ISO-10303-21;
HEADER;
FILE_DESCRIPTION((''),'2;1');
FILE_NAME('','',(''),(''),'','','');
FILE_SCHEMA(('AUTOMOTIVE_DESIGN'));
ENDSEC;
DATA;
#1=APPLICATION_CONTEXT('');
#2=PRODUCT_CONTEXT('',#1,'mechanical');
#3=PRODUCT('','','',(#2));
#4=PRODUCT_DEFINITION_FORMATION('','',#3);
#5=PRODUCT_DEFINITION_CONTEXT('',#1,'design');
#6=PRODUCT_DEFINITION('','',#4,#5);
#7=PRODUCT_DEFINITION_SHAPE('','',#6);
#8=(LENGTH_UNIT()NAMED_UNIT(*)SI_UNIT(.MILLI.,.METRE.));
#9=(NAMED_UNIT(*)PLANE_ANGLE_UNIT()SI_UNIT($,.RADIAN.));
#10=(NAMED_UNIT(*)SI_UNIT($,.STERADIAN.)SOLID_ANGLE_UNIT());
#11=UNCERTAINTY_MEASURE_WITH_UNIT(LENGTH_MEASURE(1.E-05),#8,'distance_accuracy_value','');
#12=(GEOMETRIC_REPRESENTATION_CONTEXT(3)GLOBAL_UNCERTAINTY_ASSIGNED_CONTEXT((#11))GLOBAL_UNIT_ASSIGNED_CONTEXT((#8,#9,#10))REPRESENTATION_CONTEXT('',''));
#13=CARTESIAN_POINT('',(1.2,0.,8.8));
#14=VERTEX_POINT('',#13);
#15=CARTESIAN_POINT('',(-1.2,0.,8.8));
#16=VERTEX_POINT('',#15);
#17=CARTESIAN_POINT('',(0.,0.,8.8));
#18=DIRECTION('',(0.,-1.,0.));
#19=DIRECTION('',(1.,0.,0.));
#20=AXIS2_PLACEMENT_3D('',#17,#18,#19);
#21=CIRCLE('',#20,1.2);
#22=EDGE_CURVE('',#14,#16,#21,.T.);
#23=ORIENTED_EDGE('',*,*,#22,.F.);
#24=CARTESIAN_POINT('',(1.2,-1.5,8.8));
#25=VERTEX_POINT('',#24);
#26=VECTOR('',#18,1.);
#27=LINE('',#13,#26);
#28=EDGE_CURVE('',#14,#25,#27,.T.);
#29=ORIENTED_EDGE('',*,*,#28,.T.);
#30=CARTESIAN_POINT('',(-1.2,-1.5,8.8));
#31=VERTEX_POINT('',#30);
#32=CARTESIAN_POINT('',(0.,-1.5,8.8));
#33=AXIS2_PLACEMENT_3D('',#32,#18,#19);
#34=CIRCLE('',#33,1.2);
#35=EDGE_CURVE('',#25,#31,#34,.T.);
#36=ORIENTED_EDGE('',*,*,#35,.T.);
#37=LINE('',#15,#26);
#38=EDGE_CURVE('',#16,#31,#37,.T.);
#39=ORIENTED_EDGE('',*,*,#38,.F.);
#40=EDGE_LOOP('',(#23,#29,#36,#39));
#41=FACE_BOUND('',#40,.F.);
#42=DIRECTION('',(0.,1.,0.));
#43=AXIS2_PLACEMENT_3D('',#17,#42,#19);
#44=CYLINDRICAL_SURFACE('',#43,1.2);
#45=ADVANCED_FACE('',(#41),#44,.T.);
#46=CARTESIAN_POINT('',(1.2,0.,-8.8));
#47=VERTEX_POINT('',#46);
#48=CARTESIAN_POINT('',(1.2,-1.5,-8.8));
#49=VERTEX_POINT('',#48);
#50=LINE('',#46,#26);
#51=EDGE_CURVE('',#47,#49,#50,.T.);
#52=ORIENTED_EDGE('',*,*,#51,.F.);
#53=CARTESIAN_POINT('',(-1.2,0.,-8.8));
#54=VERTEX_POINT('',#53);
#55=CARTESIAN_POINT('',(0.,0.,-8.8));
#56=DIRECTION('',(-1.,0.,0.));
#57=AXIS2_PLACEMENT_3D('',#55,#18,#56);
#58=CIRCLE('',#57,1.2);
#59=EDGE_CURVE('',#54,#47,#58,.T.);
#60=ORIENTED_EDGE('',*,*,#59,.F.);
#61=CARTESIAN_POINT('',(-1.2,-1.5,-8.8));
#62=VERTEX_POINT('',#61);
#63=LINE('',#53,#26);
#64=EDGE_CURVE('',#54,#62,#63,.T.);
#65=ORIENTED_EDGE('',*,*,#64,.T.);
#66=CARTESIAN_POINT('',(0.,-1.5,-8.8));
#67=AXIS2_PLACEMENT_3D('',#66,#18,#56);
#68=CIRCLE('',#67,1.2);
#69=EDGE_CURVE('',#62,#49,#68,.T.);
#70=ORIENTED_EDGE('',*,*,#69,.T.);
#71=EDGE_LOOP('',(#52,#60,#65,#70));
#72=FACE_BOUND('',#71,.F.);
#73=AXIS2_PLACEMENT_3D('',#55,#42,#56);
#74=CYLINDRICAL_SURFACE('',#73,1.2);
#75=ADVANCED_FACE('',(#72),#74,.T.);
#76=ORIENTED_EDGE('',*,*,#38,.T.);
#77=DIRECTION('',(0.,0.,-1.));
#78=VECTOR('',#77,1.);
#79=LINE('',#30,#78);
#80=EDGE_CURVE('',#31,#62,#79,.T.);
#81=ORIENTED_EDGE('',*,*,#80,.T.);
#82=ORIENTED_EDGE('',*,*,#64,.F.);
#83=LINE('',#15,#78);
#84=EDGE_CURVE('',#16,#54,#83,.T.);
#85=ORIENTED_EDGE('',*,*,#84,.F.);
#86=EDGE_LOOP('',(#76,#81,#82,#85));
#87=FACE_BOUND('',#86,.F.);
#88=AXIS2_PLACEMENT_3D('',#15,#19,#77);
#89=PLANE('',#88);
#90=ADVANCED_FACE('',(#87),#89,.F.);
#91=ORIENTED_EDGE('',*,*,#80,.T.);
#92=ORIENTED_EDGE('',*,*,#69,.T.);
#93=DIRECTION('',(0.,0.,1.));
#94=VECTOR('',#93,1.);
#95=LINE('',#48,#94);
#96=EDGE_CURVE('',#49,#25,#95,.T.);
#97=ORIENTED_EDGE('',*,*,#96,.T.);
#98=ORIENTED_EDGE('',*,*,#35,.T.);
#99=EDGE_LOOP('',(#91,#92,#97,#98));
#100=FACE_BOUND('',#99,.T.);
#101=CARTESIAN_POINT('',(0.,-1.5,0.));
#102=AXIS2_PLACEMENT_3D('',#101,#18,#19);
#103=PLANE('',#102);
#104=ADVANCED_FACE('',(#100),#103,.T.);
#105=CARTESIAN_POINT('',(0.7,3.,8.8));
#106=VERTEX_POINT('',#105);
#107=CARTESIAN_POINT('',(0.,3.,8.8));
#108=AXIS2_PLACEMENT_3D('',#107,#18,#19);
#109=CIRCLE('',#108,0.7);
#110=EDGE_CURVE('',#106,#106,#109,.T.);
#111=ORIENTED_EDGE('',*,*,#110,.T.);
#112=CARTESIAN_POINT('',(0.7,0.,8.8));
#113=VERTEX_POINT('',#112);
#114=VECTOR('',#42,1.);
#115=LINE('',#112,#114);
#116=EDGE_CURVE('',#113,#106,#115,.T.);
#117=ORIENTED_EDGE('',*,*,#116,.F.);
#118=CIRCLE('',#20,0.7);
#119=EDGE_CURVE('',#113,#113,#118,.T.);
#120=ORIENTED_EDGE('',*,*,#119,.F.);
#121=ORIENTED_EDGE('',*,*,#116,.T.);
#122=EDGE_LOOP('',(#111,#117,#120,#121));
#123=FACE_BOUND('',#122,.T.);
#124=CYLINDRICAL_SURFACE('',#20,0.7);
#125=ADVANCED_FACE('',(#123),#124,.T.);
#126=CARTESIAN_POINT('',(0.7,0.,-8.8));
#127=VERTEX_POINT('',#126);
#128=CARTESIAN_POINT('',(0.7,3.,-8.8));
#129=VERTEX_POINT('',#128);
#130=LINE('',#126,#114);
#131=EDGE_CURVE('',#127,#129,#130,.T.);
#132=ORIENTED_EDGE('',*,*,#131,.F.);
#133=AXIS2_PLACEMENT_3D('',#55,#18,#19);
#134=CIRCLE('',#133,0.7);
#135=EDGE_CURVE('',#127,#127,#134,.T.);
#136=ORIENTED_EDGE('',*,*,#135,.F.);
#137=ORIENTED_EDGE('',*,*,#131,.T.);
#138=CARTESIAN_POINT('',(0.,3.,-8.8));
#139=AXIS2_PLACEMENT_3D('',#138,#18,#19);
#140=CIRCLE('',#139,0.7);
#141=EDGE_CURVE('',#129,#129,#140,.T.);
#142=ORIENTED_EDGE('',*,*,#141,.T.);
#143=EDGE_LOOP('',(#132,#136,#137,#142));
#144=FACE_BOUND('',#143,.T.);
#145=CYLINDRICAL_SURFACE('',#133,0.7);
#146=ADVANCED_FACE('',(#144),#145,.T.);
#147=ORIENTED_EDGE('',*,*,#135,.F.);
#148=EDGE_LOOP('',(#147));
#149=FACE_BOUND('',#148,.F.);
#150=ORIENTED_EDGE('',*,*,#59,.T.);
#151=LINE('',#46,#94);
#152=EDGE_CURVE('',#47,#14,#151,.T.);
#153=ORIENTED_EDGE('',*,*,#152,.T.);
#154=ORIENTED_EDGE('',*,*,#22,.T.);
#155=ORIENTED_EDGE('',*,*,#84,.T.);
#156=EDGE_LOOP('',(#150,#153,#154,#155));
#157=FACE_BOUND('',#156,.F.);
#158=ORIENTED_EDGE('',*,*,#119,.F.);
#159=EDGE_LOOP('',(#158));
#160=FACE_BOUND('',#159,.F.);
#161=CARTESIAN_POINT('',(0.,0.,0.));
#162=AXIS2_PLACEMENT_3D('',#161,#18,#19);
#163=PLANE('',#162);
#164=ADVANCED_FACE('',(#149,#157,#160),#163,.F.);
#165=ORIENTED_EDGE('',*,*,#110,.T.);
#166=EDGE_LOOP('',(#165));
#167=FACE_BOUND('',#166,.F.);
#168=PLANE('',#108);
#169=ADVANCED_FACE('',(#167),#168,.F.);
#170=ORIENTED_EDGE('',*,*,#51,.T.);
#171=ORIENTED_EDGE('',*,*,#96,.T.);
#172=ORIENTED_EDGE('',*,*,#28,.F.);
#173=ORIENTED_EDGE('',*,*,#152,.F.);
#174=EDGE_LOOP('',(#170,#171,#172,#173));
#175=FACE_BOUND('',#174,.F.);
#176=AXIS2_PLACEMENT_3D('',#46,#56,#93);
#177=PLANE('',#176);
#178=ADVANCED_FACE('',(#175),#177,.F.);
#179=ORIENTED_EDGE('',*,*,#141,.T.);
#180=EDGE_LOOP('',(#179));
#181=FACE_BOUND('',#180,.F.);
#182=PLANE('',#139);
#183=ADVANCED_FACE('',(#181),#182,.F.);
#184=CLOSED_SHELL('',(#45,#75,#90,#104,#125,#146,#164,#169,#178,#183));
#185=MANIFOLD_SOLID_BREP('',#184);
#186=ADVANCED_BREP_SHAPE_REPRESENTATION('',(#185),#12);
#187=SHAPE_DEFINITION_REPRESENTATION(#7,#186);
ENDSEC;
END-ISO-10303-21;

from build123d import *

# Parameters (mm, degrees)
F0_R     = 0.7
F1_DEPTH = 1.5
F2_DEPTH = 3


with BuildPart() as f1:
    # F0 (on Front) → F1 (new body)
    with BuildSketch(Plane.XZ):
        with BuildLine():
            Line((1.2, -8.8), (1.2, 0))
            Line((1.2, 0), (1.2, 8.8))
            ThreePointArc((1.2, 8.8), (0, 10), (-1.2, 8.8))
            Line((-1.2, 8.8), (-1.2, 0))
            Line((-1.2, 0), (-1.2, -8.8))
            ThreePointArc((-1.2, -8.8), (0, -10), (1.2, -8.8))
        make_face()
        with Locations((0, -8.8)):
            Circle(F0_R, mode=Mode.SUBTRACT)
        with Locations((0, 8.8)):
            Circle(F0_R, mode=Mode.SUBTRACT)
        with Locations((0, 8.8)):
            Circle(F0_R)
        with Locations((0, -8.8)):
            Circle(F0_R)
    extrude(amount=F1_DEPTH)

    # F0 (on Front) → F2 (join)
    with BuildSketch(Plane.XZ):
        with Locations((0, -8.8)):
            Circle(F0_R)
        with Locations((0, 8.8)):
            Circle(F0_R)
    extrude(amount=-F2_DEPTH)


solid = f1.part
